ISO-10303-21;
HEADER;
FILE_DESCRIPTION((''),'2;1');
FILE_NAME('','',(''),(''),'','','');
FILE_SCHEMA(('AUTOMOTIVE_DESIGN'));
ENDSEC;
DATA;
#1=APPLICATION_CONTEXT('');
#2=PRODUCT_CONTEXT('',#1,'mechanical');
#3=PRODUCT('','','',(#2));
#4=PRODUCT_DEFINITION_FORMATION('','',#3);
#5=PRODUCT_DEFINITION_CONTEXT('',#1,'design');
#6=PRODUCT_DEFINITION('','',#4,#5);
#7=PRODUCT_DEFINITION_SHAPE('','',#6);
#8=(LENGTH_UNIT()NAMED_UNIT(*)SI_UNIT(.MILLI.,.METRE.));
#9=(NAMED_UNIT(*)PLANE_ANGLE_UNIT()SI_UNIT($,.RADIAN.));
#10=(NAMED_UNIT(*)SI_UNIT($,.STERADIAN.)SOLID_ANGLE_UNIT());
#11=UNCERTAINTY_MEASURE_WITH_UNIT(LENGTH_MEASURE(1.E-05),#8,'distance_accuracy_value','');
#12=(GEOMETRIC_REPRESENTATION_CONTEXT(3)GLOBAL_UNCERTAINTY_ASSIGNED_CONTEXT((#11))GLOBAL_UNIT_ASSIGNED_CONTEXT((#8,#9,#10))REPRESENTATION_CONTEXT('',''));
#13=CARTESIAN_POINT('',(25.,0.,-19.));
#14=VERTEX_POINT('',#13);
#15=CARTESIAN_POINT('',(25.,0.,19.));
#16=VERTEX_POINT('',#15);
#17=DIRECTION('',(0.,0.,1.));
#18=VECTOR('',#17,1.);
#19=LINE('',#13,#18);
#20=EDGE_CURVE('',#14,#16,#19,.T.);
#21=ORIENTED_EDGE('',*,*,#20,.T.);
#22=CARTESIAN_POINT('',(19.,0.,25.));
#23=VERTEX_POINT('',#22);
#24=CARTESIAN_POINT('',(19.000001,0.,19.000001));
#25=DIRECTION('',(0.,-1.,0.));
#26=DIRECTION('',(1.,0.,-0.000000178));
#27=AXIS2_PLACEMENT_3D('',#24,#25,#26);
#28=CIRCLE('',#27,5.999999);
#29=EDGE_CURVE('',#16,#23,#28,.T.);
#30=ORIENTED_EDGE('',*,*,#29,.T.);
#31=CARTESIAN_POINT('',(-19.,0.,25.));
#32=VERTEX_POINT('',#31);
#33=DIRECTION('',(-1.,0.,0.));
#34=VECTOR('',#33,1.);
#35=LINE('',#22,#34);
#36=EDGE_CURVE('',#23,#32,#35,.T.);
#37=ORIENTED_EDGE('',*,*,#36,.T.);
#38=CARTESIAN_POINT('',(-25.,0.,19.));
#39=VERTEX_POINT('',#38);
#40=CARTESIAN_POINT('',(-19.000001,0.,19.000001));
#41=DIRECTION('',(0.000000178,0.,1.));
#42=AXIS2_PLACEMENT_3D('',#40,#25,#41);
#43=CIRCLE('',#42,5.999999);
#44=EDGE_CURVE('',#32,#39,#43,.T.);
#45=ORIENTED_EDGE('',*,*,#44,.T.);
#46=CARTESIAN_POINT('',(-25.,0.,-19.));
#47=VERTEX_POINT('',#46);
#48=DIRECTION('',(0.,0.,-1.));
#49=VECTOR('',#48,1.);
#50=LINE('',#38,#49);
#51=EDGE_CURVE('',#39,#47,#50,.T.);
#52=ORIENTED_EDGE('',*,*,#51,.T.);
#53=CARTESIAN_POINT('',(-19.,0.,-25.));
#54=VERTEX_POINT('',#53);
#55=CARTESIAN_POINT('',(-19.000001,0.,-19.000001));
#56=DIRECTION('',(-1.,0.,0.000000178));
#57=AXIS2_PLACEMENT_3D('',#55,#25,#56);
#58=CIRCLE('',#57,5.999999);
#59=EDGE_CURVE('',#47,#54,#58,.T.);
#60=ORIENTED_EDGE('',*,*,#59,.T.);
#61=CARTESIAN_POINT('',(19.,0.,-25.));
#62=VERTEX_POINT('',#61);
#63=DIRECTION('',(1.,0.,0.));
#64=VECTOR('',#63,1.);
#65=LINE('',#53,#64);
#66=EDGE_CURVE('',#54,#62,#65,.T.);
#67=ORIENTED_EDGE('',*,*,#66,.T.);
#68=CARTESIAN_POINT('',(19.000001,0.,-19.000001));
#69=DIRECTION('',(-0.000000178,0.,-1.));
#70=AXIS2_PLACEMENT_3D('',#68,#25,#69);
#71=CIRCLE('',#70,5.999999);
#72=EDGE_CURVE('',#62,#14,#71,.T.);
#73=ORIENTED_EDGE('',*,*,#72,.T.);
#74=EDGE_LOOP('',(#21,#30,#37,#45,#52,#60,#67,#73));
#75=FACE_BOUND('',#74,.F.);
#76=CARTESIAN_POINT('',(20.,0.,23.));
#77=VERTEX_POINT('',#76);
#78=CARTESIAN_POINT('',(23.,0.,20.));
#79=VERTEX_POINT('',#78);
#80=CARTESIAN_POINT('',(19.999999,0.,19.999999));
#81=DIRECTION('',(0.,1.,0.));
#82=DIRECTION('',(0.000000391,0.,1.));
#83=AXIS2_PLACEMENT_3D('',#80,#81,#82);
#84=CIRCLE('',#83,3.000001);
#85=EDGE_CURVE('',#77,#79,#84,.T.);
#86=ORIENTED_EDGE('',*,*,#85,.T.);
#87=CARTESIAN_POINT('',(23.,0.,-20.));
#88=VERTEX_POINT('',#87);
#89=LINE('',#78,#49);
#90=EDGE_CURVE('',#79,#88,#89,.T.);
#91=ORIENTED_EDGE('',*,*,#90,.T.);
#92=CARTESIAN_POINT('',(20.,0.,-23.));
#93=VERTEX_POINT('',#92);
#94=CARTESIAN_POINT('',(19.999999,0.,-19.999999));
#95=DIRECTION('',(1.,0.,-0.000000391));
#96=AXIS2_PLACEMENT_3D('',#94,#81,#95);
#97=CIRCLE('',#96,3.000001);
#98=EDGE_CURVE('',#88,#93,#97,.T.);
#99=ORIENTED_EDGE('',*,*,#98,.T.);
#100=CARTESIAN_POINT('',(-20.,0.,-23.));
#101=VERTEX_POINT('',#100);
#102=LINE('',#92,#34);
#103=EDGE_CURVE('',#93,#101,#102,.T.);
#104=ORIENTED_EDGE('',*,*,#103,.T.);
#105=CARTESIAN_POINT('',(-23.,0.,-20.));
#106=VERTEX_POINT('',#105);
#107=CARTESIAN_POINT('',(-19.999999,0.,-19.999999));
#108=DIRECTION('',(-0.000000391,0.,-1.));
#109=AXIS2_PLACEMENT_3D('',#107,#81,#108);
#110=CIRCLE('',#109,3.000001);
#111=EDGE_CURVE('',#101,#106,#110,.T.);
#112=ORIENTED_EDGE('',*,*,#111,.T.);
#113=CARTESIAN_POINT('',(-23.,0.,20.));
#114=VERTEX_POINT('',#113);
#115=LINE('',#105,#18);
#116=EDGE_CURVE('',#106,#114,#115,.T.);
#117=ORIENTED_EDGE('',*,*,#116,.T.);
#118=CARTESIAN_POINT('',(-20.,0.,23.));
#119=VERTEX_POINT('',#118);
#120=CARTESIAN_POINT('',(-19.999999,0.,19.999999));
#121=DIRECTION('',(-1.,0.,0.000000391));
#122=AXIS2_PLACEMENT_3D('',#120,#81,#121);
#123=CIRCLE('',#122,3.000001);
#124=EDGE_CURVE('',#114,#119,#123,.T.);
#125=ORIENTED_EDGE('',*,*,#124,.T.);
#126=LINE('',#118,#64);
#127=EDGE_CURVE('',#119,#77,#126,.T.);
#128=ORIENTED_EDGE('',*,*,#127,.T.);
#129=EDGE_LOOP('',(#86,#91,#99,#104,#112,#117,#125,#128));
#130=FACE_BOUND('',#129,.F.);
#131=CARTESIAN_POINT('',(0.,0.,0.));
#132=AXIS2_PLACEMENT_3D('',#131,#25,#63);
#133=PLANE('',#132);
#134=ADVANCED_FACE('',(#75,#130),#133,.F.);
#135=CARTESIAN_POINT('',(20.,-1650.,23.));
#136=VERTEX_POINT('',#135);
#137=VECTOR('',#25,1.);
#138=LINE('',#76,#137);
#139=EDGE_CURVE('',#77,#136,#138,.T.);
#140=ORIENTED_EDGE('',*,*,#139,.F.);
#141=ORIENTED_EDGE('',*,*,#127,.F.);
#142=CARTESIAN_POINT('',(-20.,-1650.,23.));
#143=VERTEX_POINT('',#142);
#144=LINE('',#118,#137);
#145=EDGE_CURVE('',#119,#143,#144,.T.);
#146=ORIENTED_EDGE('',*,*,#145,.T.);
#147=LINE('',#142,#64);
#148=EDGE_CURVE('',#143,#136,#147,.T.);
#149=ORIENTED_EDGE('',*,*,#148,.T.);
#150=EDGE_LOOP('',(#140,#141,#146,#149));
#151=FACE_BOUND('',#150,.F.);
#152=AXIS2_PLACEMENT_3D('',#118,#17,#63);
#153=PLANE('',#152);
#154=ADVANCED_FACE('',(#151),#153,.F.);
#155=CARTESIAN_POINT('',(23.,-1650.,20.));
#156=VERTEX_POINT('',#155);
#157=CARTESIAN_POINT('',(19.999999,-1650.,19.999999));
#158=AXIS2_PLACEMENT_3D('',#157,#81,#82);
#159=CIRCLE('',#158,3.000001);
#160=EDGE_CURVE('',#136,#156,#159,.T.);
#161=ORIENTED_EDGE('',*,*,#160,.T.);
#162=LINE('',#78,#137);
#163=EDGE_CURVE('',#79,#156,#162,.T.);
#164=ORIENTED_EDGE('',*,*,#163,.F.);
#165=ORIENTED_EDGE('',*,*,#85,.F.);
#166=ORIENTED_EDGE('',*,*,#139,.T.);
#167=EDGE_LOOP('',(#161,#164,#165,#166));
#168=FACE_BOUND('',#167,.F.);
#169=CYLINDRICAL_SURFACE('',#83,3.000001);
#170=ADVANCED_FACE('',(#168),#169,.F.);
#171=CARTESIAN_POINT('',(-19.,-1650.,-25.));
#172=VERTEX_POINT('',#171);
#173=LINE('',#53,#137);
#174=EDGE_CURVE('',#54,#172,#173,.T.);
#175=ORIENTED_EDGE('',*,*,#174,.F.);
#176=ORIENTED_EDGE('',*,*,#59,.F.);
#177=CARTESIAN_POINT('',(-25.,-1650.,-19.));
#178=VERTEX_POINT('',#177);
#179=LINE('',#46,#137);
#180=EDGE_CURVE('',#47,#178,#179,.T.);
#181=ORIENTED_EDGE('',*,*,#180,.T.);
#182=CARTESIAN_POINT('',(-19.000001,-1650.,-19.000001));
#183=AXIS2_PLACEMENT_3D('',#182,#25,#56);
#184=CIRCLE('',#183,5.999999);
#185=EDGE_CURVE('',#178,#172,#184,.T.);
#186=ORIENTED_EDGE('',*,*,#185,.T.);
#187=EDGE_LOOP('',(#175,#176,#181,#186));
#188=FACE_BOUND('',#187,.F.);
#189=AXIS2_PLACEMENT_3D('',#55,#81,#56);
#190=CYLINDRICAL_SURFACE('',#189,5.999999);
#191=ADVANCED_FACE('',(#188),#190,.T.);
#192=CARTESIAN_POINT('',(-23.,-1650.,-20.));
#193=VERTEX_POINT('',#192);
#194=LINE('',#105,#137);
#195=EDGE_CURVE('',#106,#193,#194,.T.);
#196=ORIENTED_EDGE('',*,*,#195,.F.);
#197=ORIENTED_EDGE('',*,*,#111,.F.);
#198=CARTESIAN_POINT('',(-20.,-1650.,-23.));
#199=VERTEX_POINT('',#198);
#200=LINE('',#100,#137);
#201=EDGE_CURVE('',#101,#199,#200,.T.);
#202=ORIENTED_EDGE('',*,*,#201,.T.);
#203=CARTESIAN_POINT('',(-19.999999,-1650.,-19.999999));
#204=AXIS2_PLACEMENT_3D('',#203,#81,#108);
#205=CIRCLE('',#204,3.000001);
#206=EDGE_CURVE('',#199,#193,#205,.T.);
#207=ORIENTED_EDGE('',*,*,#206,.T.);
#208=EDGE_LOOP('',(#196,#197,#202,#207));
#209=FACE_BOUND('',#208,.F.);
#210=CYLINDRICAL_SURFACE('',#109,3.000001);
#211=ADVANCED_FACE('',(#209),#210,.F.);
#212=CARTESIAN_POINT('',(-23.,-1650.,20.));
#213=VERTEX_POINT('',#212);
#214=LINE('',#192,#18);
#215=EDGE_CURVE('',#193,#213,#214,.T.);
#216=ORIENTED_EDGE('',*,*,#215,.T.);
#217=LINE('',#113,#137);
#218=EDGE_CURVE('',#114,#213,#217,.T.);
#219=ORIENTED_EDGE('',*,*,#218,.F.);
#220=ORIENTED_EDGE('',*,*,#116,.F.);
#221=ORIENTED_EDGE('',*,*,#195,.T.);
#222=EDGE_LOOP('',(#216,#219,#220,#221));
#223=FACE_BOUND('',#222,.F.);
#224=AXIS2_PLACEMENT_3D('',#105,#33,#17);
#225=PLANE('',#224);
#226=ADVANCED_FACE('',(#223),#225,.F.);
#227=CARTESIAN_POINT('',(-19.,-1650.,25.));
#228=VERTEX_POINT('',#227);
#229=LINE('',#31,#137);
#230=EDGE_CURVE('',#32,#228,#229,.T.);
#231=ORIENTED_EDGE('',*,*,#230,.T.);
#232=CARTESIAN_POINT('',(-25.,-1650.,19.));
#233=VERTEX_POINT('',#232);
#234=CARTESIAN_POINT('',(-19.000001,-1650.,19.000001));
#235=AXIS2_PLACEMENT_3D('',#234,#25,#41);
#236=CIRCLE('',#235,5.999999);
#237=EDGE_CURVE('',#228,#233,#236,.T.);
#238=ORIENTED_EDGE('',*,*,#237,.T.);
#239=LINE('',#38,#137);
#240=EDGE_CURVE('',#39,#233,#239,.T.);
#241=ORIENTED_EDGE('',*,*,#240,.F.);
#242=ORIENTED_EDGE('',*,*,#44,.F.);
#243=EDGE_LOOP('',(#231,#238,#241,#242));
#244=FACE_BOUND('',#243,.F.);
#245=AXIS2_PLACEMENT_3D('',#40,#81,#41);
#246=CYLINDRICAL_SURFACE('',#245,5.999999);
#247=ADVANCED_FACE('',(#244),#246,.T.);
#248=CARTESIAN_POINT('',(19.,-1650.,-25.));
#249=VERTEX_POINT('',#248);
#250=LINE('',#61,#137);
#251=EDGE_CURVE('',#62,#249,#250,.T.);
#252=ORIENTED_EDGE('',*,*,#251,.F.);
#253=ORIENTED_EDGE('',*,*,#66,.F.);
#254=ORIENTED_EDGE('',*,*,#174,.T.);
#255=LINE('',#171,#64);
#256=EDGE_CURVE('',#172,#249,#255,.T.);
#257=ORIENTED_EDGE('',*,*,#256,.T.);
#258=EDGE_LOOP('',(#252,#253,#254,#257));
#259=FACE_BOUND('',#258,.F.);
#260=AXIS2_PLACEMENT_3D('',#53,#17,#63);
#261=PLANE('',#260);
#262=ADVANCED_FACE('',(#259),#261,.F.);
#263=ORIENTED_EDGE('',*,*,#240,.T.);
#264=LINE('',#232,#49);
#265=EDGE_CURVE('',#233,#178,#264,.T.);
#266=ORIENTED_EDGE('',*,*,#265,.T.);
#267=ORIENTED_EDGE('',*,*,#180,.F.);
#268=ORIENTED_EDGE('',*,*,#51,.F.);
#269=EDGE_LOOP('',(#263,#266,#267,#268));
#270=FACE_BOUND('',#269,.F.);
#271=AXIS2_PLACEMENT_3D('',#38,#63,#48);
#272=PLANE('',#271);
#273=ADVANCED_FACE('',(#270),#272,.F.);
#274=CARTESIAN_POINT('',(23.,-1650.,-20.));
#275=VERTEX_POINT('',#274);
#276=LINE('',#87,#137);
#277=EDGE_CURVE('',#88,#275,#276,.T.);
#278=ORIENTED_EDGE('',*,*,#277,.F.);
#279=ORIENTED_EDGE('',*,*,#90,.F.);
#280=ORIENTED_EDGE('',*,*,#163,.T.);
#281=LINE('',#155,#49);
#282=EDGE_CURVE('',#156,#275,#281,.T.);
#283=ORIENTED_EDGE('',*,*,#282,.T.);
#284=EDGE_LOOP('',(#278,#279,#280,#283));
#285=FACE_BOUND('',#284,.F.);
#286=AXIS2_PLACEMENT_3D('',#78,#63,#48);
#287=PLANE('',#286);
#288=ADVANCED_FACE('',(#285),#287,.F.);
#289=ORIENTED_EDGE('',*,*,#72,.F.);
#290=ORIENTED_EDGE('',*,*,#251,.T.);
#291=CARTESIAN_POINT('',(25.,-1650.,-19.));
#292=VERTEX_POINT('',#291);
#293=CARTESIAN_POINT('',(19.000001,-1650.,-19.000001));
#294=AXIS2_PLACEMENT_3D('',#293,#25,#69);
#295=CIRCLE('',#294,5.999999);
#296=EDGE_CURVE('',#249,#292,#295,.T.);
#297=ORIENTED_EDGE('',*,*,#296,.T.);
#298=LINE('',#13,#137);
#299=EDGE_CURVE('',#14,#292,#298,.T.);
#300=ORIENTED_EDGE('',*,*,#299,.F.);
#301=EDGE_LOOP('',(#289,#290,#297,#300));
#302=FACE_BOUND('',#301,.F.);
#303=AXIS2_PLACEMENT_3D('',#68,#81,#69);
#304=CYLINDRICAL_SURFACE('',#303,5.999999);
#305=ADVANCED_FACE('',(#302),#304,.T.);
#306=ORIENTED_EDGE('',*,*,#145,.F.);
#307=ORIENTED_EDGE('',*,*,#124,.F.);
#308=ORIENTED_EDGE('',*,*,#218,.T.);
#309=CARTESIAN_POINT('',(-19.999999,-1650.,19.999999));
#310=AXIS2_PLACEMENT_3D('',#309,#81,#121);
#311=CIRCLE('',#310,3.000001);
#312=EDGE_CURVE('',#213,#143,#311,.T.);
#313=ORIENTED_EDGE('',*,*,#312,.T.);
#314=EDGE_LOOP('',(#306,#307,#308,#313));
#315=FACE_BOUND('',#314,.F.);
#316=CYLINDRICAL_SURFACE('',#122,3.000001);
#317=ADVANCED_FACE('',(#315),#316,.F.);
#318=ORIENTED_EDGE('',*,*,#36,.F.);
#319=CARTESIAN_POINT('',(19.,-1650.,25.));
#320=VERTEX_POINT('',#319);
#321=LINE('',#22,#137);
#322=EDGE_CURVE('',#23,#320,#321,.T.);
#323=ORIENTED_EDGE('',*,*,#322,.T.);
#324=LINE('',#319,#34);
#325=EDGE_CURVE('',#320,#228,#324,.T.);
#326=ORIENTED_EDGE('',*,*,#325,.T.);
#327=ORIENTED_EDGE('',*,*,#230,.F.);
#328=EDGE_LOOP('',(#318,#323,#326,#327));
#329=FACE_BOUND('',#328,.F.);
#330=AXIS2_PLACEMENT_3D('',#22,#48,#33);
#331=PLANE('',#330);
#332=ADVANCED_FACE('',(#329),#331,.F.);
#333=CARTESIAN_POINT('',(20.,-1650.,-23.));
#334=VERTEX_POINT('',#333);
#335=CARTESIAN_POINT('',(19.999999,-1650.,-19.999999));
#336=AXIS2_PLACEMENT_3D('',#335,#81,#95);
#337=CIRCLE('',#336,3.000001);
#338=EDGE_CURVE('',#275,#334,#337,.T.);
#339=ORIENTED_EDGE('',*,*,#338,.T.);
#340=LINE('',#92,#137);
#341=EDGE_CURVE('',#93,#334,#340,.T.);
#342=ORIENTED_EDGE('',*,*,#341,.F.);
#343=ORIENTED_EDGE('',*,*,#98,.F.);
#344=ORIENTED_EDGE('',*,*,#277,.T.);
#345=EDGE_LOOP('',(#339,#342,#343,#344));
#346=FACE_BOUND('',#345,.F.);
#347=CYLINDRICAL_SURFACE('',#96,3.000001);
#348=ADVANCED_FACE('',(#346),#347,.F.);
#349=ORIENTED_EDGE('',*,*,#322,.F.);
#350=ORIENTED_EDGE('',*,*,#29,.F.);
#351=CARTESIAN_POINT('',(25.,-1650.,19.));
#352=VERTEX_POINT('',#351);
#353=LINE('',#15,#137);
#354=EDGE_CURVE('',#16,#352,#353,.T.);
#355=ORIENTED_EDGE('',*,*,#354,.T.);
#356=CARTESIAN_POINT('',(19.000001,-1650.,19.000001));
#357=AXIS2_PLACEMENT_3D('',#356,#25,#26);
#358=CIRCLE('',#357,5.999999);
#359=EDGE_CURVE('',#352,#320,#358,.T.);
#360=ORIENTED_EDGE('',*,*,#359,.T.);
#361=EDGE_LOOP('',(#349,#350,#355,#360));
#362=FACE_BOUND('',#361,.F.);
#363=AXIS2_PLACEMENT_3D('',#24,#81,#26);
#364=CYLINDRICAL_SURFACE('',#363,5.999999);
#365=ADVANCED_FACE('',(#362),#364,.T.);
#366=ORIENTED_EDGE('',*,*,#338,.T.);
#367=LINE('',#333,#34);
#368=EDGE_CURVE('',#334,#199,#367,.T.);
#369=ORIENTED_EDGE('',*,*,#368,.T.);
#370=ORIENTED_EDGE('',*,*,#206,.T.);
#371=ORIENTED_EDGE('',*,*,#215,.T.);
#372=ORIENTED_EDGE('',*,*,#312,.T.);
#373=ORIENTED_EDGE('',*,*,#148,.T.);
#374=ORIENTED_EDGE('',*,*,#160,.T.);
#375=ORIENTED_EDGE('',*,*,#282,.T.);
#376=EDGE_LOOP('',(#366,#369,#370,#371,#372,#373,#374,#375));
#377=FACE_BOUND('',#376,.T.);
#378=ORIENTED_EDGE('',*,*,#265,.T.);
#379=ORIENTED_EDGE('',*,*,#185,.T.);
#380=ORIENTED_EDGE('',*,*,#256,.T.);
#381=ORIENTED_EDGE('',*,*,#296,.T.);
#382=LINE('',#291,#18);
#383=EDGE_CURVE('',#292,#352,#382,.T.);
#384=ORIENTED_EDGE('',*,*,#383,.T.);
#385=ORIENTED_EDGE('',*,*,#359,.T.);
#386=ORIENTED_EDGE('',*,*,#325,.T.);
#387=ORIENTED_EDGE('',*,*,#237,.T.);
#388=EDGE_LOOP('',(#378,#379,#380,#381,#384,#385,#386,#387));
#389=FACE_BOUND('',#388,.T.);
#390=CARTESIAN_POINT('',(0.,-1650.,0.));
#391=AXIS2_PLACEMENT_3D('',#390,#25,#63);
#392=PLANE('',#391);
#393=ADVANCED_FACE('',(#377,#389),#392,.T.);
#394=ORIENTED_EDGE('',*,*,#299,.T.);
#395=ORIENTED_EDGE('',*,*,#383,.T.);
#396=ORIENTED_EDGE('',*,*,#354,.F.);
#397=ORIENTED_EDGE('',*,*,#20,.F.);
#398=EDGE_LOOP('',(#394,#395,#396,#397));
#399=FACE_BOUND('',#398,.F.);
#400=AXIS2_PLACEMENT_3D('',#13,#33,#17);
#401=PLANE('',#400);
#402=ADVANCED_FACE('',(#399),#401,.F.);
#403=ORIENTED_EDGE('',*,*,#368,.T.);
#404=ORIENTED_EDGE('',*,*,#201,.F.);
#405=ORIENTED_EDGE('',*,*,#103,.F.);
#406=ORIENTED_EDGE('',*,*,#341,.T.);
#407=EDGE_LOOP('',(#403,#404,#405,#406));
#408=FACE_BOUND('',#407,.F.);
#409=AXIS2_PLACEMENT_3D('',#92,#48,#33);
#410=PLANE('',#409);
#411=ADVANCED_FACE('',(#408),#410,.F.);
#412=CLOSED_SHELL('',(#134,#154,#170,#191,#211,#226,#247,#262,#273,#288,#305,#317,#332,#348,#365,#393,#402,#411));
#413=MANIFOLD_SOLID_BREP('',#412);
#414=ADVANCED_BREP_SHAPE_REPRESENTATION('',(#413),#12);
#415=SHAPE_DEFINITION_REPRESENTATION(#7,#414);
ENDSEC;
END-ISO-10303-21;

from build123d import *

# Parameters (mm, degrees)
F1_DEPTH = 1650


with BuildPart() as f1:
    # F0 (on Front) → F1 (new body)
    with BuildSketch(Plane.XZ):
        with BuildLine():
            Line((19, 25), (0, 25))
            Line((0, 25), (-19, 25))
            ThreePointArc((-19, 25), (-23.242641, 23.242641), (-25, 19))
            Line((-25, 19), (-25, -19))
            ThreePointArc((-25, -19), (-23.242641, -23.242641), (-19, -25))
            Line((-19, -25), (0, -25))
            Line((0, -25), (19, -25))
            ThreePointArc((19, -25), (23.242641, -23.242641), (25, -19))
            Line((25, -19), (25, 19))
            ThreePointArc((25, 19), (23.242641, 23.242641), (19, 25))
        make_face()
        with BuildLine():
            Line((-20, 23), (0, 23))
            Line((0, 23), (20, 23))
            ThreePointArc((20, 23), (22.12132, 22.12132), (23, 20))
            Line((23, 20), (23, -20))
            ThreePointArc((23, -20), (22.12132, -22.12132), (20, -23))
            Line((20, -23), (0, -23))
            Line((0, -23), (-20, -23))
            ThreePointArc((-20, -23), (-22.12132, -22.12132), (-23, -20))
            Line((-23, -20), (-23, 20))
            ThreePointArc((-23, 20), (-22.12132, 22.12132), (-20, 23))
        make_face(mode=Mode.SUBTRACT)
    extrude(amount=F1_DEPTH)


solid = f1.part
